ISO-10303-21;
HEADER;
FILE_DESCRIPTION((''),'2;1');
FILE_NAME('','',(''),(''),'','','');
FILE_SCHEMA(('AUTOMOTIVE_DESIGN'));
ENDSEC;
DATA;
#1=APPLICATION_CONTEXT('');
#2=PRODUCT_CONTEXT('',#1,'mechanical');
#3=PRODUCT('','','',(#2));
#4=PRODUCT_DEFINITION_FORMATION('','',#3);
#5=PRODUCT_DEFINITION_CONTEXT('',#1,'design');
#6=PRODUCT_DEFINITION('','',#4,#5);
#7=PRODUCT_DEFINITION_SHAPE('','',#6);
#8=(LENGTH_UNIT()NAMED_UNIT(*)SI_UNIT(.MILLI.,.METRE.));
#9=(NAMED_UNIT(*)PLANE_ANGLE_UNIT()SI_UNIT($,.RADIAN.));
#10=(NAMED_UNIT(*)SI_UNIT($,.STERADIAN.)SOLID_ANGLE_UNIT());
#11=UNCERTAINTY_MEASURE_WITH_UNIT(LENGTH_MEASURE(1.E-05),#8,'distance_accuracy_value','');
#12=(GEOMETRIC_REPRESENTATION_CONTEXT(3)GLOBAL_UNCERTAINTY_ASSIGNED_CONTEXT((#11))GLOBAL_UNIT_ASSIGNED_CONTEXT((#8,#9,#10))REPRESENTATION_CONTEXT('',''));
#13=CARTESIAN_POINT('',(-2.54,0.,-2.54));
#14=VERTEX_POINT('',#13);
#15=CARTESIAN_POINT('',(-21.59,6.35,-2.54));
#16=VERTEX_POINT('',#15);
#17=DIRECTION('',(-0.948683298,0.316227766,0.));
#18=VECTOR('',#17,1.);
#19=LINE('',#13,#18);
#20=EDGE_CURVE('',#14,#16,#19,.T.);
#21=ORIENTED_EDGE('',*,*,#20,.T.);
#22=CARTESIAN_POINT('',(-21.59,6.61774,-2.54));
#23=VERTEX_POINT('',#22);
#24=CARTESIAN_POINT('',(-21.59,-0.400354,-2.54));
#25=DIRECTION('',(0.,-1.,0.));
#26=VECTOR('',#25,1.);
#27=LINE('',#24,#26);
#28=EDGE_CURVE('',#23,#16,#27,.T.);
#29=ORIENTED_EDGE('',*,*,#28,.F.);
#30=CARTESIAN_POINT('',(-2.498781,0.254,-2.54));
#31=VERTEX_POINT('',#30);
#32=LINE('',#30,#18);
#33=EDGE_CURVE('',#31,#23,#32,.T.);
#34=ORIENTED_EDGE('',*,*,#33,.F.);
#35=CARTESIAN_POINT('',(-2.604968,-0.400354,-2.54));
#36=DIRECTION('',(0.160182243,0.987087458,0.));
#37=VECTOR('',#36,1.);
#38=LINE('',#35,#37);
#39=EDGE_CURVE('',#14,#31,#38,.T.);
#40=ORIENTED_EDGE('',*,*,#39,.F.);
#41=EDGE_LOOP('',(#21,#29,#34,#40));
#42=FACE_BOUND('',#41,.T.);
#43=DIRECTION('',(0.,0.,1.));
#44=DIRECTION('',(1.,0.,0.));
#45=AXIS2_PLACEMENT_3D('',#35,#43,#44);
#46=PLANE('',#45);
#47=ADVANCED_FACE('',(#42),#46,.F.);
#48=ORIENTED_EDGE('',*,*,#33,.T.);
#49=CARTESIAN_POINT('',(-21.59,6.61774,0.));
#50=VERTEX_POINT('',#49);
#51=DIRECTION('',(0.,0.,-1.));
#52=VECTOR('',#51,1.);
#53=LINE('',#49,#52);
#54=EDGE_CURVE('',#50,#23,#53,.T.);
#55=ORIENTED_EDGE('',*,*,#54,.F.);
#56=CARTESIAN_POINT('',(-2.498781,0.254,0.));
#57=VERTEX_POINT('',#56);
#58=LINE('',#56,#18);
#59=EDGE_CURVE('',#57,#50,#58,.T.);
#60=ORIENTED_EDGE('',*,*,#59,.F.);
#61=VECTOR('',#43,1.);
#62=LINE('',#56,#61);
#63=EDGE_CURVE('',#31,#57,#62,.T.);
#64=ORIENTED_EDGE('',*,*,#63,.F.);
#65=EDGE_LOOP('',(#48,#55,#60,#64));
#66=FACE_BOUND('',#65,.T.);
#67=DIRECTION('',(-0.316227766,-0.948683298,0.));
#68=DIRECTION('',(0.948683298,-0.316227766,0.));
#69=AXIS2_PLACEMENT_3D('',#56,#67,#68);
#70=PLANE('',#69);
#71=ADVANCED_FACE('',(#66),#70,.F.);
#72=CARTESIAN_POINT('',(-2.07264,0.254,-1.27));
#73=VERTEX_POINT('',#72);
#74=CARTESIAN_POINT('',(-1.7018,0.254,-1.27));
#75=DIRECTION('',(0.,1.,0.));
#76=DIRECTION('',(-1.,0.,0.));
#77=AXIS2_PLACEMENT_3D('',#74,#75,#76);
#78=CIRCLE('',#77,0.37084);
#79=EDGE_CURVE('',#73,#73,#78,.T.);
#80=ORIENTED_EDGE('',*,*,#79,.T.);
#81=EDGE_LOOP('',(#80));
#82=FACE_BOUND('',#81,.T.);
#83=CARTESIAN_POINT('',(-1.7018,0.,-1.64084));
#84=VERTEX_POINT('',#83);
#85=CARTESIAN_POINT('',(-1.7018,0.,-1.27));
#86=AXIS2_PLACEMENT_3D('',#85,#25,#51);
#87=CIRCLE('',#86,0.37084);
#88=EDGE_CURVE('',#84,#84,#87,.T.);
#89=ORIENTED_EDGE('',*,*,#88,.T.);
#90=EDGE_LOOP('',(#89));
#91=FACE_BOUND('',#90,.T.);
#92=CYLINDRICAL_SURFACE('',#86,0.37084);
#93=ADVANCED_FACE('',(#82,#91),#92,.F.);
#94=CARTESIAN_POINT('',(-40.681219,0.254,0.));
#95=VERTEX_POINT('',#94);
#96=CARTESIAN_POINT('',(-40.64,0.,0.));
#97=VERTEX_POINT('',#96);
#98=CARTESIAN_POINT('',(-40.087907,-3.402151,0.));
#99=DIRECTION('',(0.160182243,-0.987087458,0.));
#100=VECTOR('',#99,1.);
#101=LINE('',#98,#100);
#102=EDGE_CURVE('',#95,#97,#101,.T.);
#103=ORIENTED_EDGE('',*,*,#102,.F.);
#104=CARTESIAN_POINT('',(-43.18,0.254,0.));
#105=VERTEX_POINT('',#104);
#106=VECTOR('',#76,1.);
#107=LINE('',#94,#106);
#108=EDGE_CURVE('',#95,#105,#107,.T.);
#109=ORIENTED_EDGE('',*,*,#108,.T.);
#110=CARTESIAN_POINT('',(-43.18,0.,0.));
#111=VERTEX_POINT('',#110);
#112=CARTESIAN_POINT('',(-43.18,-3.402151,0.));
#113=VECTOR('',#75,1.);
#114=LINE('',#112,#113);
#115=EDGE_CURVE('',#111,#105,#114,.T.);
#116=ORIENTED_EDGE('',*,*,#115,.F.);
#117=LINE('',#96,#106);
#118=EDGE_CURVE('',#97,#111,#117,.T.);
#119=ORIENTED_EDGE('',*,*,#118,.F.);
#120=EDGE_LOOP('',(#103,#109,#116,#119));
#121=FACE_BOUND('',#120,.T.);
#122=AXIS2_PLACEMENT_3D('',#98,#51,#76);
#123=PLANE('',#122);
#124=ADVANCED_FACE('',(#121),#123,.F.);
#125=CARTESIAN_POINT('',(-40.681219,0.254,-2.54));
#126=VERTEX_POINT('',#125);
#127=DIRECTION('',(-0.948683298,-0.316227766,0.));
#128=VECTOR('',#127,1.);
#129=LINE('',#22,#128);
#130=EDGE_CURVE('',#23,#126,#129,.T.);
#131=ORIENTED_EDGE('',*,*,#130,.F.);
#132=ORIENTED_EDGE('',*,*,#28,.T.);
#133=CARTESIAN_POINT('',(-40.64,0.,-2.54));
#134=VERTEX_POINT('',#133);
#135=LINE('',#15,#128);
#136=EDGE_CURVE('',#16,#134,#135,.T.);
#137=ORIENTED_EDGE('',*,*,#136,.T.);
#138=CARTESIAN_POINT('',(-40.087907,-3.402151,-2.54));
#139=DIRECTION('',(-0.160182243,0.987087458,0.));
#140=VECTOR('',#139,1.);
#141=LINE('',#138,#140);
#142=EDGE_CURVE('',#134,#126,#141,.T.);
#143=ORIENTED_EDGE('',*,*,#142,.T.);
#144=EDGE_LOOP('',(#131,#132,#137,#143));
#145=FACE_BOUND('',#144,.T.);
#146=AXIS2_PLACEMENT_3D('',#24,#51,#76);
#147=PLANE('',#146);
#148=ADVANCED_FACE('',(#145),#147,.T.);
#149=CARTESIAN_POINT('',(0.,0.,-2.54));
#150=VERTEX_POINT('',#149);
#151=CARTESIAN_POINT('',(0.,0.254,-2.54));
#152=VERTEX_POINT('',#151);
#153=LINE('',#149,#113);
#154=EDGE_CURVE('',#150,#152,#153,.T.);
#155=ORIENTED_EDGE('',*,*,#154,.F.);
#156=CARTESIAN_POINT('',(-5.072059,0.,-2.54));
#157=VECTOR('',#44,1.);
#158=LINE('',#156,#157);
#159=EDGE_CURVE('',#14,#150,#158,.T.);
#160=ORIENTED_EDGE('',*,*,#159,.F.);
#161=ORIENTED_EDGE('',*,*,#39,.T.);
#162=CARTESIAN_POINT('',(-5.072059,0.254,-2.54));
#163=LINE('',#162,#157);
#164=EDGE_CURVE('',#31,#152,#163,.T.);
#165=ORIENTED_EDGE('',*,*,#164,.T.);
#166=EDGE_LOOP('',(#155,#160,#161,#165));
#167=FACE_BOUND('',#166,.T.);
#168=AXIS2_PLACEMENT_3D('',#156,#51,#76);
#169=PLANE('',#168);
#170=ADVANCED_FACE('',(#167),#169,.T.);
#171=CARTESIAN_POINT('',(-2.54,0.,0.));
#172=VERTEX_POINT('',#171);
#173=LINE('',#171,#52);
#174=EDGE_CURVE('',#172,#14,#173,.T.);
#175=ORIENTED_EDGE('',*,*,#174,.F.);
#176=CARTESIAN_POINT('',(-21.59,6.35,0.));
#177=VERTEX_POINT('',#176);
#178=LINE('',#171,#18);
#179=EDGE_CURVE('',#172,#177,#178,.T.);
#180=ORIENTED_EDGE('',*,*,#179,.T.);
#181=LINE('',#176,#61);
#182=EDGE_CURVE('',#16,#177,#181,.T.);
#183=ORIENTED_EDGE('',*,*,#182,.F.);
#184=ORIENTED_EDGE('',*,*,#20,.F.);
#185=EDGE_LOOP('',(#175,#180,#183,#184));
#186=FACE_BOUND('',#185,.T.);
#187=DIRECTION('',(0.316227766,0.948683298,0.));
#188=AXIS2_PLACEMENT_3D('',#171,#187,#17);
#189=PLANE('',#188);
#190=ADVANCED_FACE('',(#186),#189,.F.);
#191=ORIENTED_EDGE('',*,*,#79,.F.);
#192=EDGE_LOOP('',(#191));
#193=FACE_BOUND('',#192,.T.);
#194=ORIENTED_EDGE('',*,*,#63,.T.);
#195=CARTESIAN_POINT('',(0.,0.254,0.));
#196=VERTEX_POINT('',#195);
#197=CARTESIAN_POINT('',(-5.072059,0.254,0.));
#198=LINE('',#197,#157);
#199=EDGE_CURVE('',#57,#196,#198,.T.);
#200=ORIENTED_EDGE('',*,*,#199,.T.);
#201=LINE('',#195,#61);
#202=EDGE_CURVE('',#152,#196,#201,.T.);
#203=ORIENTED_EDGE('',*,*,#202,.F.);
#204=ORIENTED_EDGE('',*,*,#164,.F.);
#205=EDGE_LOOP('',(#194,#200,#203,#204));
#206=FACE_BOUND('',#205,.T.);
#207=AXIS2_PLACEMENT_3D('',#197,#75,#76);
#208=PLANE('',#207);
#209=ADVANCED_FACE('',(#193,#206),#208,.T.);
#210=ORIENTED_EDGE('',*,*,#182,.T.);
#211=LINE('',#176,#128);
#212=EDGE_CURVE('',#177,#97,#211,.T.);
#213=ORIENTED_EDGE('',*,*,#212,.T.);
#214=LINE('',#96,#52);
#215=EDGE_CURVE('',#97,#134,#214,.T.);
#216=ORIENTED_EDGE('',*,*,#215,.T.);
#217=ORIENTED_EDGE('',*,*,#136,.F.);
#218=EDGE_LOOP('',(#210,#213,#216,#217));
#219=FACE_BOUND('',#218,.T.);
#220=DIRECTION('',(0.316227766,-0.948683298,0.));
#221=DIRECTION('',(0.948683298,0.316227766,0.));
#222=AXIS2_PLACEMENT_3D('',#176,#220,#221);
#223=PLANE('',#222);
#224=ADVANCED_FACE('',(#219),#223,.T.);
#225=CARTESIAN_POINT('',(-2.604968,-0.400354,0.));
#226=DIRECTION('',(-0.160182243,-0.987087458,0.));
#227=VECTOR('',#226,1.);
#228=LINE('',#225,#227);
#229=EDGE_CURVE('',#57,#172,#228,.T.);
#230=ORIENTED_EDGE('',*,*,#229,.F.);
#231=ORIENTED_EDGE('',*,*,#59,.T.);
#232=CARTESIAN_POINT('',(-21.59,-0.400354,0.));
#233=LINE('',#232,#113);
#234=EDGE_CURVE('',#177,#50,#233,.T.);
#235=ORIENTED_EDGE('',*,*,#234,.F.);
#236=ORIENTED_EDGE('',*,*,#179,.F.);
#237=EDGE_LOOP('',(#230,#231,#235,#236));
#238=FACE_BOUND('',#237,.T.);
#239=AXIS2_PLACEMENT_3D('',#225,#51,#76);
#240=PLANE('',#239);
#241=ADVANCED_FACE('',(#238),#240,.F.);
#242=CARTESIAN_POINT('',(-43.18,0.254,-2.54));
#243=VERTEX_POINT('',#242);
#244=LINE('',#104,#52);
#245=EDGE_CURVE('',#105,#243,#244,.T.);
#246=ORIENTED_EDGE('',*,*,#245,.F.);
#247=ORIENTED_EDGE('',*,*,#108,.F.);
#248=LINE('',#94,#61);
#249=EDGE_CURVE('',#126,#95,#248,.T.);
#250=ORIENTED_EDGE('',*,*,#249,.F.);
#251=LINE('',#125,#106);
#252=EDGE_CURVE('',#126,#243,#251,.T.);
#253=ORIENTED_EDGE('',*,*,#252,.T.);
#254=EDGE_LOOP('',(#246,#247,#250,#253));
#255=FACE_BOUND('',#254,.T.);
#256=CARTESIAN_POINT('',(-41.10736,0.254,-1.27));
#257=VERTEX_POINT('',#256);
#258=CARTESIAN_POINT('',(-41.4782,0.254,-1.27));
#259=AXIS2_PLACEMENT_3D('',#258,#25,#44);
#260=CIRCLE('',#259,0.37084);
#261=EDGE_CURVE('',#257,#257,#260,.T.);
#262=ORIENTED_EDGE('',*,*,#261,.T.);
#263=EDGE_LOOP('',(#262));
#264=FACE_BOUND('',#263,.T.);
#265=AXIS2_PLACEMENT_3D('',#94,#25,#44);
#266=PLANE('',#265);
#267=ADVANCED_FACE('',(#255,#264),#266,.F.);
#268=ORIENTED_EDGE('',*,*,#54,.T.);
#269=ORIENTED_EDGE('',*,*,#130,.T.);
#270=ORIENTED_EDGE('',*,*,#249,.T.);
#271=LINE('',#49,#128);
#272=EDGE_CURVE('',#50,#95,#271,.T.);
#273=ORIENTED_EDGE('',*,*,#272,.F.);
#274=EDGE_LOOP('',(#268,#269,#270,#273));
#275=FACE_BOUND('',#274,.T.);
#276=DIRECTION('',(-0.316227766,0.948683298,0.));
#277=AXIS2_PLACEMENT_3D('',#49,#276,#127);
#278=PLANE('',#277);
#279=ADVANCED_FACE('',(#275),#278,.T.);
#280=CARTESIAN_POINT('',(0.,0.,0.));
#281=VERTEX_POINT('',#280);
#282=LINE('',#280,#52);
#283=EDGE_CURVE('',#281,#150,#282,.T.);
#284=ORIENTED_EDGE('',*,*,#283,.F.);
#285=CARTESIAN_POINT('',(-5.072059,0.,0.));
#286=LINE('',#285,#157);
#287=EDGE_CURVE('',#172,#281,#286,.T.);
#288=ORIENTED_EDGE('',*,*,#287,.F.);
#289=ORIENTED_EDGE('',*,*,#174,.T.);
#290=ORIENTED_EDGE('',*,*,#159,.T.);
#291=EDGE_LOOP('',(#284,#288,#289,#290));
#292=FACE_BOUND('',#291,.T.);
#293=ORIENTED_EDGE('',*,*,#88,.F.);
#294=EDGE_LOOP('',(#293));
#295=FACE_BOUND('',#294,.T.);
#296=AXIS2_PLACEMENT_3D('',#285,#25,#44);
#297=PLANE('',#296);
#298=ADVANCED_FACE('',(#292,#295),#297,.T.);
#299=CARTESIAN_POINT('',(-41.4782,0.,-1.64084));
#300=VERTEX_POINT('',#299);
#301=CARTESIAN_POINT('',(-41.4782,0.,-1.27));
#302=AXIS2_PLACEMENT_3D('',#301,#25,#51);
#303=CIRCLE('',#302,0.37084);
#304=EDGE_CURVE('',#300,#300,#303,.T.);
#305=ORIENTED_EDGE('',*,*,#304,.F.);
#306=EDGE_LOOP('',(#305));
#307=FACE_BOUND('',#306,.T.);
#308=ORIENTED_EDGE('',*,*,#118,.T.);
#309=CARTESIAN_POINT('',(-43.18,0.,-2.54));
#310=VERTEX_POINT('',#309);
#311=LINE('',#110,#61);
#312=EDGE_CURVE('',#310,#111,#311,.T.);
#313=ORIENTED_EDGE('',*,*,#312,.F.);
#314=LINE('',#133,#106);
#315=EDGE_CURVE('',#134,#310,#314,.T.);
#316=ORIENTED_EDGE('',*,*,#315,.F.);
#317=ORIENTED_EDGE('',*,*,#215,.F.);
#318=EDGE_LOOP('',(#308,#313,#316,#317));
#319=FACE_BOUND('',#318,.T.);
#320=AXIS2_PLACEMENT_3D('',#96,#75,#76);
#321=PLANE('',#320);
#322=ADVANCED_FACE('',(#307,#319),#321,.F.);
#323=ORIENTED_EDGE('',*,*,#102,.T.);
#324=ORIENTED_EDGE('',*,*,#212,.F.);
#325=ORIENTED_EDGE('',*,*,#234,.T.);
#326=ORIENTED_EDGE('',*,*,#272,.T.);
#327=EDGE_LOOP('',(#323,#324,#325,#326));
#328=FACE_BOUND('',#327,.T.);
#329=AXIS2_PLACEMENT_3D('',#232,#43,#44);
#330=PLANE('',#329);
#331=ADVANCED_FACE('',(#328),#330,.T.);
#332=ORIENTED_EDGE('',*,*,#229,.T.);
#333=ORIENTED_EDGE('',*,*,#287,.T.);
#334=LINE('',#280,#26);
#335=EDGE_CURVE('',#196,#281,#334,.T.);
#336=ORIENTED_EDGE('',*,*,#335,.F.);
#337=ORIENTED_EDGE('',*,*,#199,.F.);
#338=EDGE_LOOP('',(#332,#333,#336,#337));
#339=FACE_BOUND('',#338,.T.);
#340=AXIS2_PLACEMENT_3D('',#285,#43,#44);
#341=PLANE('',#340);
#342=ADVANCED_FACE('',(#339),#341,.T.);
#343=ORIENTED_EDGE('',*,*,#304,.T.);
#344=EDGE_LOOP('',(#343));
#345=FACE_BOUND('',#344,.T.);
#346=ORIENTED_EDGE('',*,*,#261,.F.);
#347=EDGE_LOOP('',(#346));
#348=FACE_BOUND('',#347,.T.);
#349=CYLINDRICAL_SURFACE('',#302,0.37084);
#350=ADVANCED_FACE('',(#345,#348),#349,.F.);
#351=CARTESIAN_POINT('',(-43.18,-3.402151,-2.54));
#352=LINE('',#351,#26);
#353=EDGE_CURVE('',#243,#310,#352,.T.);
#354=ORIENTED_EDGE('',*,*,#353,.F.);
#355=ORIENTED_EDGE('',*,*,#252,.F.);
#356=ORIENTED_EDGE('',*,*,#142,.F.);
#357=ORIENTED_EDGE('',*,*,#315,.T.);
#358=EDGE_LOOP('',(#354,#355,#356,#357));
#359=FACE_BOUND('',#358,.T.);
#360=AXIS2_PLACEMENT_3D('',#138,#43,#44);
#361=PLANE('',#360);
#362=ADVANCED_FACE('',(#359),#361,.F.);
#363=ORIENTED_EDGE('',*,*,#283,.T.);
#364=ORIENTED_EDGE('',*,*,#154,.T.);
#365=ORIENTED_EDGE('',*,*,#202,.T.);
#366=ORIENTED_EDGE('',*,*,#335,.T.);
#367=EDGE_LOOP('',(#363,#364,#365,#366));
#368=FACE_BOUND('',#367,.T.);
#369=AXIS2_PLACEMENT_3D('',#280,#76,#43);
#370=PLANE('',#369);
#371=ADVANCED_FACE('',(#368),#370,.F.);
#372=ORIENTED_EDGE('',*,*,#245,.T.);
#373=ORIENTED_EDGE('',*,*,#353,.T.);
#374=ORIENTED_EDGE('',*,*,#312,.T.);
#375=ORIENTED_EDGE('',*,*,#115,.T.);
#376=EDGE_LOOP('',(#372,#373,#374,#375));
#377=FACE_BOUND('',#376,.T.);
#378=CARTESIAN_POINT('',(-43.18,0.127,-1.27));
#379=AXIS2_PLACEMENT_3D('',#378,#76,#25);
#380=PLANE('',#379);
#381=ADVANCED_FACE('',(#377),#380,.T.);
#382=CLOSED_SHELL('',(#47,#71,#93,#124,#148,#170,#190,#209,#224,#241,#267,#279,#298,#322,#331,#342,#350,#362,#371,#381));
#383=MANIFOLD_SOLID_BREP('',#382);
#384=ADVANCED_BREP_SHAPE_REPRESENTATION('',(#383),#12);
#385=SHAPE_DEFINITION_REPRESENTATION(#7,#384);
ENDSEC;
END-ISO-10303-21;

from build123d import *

# Parameters (mm, degrees)
SKETCH7_W                    = 2.54
SKETCH7_H                    = 0.254
F_69_0_0292_DIAMETER_HOLE1_D = 0.74168


with BuildPart() as part:
    # Sweep2: sweep along a path in Sketch1
    with BuildLine(Plane.XY) as sweep2_path:
        Line((-43.18, 0), (-40.64, 0))
        Line((-40.64, 0), (-21.59, 6.35))
        Line((-21.59, 6.35), (-2.54, 0))
        Line((-2.54, 0), (0, 0))
    # Sketch7 → Sweep2 (sweep)
    with BuildSketch(Plane(origin=(0, 0, 0), x_dir=(0, 0, -1), z_dir=(1, 0, 0))):
        with Locations((1.27, 0.127)):
            Rectangle(SKETCH7_W, SKETCH7_H)
    sweep(path=sweep2_path.line, transition=Transition.RIGHT)

    # #69 (0.0292) Diameter Hole1 (through all)
    with Locations(Plane.XZ):
        with Locations((-41.4782, -1.27), (-1.7018, -1.27)):
            Hole(F_69_0_0292_DIAMETER_HOLE1_D / 2)


solid = part.part
